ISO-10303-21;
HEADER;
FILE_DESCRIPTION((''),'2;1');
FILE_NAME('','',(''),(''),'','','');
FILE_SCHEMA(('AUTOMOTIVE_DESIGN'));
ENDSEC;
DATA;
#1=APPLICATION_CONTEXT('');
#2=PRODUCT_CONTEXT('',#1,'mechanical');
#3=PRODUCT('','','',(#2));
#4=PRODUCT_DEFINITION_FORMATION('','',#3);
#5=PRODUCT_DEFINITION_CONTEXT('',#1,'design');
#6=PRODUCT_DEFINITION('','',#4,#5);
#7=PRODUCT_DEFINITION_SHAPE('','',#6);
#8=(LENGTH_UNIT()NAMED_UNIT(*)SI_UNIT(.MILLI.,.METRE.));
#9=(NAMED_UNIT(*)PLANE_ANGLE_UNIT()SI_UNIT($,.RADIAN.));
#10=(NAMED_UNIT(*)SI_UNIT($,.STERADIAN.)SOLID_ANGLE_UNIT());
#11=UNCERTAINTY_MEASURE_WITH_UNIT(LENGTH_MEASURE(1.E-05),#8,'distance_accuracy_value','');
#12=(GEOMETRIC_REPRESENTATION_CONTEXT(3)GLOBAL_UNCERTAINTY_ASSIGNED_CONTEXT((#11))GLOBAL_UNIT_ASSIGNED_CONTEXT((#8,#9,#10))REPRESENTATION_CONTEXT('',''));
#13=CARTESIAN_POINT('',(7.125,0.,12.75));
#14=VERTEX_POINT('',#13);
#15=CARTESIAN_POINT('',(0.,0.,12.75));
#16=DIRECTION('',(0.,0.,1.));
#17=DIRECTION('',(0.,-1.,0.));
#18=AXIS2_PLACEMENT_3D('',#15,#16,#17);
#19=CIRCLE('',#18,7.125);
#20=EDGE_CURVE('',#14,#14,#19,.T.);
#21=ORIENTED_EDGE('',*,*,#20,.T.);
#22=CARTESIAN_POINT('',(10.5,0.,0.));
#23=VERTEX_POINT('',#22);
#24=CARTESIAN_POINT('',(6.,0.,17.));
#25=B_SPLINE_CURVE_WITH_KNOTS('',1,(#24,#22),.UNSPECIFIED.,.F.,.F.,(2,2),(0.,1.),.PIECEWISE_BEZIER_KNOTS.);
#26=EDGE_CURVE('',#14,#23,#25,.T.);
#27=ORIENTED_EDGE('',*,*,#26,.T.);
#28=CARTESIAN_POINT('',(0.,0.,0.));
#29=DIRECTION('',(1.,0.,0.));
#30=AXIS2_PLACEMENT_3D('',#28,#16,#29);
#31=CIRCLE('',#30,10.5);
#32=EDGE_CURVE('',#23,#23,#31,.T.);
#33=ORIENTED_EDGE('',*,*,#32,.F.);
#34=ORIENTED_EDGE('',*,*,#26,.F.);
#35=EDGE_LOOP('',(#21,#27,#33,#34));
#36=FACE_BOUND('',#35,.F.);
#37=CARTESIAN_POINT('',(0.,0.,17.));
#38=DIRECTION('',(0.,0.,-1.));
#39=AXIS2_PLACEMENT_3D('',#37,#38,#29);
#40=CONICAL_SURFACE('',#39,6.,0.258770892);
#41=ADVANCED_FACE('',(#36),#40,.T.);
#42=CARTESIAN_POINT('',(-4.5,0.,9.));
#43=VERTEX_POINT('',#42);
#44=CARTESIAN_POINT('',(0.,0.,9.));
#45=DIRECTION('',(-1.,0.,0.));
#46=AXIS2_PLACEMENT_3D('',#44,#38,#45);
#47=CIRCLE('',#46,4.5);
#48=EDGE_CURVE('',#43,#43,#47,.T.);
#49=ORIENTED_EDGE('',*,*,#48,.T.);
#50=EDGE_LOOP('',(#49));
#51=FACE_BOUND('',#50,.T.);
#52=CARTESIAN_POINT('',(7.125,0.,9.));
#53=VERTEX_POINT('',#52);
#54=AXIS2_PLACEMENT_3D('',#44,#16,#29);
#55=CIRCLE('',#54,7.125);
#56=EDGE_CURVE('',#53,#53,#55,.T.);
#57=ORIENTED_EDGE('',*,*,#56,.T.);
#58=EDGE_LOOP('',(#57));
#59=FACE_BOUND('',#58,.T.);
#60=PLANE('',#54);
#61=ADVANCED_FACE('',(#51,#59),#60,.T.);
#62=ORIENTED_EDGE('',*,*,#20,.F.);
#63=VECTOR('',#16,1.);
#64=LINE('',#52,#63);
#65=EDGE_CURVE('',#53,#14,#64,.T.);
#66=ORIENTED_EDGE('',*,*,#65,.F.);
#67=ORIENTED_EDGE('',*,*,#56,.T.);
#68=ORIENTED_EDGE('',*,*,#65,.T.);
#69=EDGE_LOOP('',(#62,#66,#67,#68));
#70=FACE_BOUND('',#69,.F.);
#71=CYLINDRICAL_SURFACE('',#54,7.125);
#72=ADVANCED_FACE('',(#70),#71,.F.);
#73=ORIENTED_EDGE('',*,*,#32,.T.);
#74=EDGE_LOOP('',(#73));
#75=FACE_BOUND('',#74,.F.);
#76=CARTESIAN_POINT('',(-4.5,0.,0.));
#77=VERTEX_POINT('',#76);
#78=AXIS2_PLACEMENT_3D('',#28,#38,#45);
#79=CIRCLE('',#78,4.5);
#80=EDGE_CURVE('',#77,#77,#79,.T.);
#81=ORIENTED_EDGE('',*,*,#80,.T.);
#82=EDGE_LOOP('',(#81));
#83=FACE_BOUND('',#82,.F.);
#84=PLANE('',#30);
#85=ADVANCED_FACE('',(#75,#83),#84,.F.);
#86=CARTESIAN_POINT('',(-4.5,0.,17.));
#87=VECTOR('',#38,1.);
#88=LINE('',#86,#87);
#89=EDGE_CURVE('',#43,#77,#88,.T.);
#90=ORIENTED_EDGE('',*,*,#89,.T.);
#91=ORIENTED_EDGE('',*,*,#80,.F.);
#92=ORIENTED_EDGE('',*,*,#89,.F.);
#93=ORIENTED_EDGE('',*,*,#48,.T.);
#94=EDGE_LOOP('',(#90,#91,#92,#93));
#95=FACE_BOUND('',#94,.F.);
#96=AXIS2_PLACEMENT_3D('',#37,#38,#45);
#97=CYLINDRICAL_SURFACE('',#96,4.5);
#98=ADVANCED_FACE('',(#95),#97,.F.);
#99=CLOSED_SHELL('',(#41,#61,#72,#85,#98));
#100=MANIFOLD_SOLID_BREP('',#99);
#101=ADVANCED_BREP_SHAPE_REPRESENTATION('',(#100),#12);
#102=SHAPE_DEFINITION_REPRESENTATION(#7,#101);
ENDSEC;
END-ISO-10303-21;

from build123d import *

# Parameters (mm, degrees)
F2_R           = 6
F0_R           = 10.5
F5_D           = 9
F5_CBORE_D     = 14.25
F5_CBORE_DEPTH = 8


with BuildPart() as f3:
    # F2 (on offset) → F3 section 0
    with BuildSketch(Plane.XY.offset(17)):
        Circle(F2_R)
    # F0 (on Top) → F3 section 1
    with BuildSketch(Plane.XY):
        Circle(F0_R)
    loft()

    # F5 (through all)
    with Locations(Plane.XY.offset(17)):
        with Locations((0, 0)):
            CounterBoreHole(F5_D / 2, F5_CBORE_D / 2, F5_CBORE_DEPTH)


solid = f3.part
